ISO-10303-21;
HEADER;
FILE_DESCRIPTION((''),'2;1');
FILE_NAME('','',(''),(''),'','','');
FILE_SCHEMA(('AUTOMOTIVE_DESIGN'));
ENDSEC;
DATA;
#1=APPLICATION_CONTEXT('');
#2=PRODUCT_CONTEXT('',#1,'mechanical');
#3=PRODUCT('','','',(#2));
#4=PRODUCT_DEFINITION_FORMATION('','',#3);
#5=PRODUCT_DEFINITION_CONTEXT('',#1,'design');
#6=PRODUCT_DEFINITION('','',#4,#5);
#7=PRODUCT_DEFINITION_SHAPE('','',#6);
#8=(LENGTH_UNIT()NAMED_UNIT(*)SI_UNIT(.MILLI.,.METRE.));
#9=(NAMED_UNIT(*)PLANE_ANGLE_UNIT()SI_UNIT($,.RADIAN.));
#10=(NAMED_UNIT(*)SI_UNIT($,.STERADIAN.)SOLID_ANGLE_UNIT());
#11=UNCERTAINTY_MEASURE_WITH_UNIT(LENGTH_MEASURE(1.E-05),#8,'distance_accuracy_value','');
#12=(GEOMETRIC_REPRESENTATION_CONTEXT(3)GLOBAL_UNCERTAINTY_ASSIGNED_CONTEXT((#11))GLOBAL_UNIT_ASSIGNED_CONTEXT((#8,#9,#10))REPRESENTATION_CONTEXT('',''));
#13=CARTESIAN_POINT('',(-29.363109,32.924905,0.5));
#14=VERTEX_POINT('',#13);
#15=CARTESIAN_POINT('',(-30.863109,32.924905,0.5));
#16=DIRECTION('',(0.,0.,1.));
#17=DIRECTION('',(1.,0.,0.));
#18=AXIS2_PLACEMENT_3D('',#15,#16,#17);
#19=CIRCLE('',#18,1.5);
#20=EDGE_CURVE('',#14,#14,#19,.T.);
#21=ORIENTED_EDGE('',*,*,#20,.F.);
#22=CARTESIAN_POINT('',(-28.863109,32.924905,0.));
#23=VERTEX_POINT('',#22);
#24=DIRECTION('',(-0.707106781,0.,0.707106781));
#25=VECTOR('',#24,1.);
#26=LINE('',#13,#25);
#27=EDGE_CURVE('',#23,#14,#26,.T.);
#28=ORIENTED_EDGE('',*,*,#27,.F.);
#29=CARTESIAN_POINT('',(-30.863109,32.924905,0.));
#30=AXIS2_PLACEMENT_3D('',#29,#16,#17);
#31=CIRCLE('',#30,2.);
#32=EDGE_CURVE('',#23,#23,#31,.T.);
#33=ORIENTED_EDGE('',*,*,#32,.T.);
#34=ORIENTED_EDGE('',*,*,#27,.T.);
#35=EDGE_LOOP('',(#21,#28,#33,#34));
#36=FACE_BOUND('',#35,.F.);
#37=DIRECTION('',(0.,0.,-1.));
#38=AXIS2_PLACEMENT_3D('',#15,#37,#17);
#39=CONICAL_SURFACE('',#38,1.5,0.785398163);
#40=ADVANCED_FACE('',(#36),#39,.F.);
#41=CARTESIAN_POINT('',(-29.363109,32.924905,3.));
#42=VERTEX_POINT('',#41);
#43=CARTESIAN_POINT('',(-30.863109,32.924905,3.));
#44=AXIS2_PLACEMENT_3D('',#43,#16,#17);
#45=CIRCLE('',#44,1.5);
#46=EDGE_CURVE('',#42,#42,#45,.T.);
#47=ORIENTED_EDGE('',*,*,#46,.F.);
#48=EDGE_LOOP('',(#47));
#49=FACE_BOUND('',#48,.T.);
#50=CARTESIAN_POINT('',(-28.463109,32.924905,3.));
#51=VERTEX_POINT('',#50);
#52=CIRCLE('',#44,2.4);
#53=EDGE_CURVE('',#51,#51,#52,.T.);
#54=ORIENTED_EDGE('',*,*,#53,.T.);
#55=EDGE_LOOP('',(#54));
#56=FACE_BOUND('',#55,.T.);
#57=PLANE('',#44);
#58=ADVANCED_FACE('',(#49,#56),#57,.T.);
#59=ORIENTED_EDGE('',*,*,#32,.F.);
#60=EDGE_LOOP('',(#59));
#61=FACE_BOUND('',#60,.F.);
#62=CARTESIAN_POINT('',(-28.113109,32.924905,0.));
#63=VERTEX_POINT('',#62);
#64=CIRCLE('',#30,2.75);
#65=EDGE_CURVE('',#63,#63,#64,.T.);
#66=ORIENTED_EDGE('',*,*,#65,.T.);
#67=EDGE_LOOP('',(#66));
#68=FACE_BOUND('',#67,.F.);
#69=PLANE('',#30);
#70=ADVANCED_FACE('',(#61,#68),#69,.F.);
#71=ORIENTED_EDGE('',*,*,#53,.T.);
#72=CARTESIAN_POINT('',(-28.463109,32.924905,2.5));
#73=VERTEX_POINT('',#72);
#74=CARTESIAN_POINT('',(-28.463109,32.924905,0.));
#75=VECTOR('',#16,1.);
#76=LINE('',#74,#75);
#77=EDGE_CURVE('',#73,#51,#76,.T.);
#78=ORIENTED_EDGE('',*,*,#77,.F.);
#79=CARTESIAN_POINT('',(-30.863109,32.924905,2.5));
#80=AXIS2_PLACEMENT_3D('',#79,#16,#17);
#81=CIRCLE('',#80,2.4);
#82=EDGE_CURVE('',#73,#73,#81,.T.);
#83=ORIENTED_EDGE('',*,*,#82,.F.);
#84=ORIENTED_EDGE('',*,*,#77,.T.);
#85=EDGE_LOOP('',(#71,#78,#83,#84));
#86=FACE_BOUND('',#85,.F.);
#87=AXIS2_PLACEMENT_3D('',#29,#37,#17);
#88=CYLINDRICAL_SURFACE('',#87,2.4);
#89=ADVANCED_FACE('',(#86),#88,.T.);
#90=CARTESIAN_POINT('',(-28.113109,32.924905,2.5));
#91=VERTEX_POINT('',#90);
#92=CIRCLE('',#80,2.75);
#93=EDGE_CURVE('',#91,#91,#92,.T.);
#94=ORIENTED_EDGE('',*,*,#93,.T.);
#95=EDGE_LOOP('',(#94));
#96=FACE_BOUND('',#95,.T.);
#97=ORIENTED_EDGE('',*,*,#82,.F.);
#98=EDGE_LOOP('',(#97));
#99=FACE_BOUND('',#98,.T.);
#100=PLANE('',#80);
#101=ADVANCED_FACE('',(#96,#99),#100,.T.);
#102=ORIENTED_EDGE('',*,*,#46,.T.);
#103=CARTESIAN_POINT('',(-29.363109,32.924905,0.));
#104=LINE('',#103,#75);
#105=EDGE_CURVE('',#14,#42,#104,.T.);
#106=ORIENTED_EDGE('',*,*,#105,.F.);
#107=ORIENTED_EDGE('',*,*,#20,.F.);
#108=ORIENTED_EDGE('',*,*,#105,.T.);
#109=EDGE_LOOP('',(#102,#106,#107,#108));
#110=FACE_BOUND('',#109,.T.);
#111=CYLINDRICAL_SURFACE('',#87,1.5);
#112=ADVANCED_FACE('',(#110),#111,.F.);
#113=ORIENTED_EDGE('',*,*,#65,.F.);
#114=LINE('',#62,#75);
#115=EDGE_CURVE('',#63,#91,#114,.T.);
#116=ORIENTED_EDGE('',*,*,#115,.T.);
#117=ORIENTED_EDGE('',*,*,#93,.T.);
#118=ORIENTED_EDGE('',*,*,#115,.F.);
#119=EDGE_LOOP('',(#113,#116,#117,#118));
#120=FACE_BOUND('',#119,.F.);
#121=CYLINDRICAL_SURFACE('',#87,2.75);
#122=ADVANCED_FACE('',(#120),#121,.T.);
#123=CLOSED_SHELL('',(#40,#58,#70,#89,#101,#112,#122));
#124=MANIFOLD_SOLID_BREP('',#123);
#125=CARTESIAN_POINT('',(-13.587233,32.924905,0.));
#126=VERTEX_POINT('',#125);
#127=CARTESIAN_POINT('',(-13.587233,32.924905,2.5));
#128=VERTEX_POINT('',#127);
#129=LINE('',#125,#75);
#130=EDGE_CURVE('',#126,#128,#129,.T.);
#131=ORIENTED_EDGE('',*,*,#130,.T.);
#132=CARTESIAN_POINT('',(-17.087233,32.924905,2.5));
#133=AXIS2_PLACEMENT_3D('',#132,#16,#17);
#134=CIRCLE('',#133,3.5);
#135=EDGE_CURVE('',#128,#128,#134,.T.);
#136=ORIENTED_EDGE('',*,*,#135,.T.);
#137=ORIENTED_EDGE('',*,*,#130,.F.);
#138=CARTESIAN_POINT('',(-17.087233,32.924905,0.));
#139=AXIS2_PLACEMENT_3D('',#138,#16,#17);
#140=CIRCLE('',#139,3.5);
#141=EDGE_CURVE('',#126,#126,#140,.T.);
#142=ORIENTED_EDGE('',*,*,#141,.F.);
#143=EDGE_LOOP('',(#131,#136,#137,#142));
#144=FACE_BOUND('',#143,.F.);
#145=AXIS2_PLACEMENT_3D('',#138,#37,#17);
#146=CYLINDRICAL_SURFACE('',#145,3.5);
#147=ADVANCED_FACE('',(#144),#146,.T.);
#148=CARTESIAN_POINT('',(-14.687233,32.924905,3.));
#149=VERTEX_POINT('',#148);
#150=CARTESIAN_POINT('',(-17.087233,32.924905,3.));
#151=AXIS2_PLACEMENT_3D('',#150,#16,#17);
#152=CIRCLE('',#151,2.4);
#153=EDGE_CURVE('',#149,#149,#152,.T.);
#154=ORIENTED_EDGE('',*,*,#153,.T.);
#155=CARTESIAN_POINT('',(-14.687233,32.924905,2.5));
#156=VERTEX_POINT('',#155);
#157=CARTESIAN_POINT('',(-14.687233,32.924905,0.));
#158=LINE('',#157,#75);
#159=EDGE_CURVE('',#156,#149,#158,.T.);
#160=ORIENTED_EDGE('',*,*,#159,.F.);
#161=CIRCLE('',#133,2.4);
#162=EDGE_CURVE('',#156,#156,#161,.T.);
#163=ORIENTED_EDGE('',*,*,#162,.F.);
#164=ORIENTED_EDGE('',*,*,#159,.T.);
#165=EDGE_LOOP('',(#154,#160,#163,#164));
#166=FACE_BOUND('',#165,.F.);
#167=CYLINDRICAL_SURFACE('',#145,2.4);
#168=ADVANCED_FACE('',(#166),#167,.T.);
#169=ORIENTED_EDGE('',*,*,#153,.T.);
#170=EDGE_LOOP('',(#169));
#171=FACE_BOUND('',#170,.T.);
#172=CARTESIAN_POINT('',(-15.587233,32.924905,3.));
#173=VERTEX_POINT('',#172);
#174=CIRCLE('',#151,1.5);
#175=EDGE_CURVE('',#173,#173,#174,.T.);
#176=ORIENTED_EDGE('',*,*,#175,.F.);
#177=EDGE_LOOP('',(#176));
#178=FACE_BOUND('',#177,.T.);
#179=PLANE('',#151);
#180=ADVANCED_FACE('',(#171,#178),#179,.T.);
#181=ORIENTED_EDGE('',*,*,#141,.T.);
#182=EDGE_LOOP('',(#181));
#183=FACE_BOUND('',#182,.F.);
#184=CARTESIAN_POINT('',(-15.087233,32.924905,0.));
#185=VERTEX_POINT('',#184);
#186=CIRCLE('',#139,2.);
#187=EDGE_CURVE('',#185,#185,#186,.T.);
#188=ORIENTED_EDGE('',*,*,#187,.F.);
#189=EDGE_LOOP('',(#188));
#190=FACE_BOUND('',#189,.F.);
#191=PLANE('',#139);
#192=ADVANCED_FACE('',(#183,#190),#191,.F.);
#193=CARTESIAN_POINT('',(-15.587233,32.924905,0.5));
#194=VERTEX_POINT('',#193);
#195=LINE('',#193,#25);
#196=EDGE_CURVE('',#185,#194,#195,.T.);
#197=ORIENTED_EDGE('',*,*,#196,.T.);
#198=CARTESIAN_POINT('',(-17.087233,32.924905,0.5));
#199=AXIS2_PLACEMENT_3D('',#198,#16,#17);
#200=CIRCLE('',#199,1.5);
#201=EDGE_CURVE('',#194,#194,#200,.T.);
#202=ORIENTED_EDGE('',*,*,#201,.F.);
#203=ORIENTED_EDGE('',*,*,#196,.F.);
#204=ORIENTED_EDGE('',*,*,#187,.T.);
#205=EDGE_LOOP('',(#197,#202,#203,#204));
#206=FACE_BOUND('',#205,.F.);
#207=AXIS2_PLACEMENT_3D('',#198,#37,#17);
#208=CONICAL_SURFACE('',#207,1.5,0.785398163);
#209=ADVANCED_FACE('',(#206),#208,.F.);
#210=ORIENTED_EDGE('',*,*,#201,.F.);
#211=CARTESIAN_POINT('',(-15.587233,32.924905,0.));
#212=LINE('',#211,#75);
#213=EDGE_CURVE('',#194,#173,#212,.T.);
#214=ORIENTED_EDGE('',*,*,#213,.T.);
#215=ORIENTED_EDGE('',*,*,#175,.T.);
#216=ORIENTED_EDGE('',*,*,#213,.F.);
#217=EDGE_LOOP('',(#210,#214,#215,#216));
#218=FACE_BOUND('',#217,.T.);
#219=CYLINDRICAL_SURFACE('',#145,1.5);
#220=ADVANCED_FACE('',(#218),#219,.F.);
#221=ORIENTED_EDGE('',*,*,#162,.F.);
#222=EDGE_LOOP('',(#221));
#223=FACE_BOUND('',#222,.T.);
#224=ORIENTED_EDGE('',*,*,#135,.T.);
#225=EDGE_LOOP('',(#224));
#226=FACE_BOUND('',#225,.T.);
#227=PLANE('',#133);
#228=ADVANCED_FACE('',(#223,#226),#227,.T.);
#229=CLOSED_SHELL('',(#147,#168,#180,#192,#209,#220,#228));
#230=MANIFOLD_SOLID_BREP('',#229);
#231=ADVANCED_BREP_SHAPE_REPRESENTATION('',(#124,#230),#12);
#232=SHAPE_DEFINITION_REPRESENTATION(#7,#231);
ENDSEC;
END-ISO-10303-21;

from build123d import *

# Parameters (mm, degrees)
F0_R     = 2.4
F0_R_2   = 1.5
F1_DEPTH = 3
F0_R_3   = 2.75
F0_R_4   = 3.5
F2_DEPTH = 2.5
F3_SIZE  = 0.5


with BuildPart() as f1:
    # F0 (on Top) → F1 (new body)
    with BuildSketch(Plane.XY):
        with Locations((-30.863109, 32.924905)):
            Circle(F0_R)
        with Locations((-30.863109, 32.924905)):
            Circle(F0_R_2, mode=Mode.SUBTRACT)
        with Locations((-17.087233, 32.924905)):
            Circle(F0_R)
        with Locations((-17.087233, 32.924905)):
            Circle(F0_R_2, mode=Mode.SUBTRACT)
    extrude(amount=F1_DEPTH)

    # F0 (on Top) → F2 (join)
    with BuildSketch(Plane.XY):
        with Locations((-30.863109, 32.924905)):
            Circle(F0_R_3)
        with Locations((-30.863109, 32.924905)):
            Circle(F0_R, mode=Mode.SUBTRACT)
        with Locations((-17.087233, 32.924905)):
            Circle(F0_R_4)
        with Locations((-17.087233, 32.924905)):
            Circle(F0_R, mode=Mode.SUBTRACT)
    extrude(amount=F2_DEPTH)

    # F3
    f3_edges = [f1.edges().sort_by_distance(p)[0] for p in [
        (-32.363109, 32.924905, 0),
        (-18.587233, 32.924905, 0),
    ]]
    chamfer(f3_edges, length=F3_SIZE)


solid = f1.part
